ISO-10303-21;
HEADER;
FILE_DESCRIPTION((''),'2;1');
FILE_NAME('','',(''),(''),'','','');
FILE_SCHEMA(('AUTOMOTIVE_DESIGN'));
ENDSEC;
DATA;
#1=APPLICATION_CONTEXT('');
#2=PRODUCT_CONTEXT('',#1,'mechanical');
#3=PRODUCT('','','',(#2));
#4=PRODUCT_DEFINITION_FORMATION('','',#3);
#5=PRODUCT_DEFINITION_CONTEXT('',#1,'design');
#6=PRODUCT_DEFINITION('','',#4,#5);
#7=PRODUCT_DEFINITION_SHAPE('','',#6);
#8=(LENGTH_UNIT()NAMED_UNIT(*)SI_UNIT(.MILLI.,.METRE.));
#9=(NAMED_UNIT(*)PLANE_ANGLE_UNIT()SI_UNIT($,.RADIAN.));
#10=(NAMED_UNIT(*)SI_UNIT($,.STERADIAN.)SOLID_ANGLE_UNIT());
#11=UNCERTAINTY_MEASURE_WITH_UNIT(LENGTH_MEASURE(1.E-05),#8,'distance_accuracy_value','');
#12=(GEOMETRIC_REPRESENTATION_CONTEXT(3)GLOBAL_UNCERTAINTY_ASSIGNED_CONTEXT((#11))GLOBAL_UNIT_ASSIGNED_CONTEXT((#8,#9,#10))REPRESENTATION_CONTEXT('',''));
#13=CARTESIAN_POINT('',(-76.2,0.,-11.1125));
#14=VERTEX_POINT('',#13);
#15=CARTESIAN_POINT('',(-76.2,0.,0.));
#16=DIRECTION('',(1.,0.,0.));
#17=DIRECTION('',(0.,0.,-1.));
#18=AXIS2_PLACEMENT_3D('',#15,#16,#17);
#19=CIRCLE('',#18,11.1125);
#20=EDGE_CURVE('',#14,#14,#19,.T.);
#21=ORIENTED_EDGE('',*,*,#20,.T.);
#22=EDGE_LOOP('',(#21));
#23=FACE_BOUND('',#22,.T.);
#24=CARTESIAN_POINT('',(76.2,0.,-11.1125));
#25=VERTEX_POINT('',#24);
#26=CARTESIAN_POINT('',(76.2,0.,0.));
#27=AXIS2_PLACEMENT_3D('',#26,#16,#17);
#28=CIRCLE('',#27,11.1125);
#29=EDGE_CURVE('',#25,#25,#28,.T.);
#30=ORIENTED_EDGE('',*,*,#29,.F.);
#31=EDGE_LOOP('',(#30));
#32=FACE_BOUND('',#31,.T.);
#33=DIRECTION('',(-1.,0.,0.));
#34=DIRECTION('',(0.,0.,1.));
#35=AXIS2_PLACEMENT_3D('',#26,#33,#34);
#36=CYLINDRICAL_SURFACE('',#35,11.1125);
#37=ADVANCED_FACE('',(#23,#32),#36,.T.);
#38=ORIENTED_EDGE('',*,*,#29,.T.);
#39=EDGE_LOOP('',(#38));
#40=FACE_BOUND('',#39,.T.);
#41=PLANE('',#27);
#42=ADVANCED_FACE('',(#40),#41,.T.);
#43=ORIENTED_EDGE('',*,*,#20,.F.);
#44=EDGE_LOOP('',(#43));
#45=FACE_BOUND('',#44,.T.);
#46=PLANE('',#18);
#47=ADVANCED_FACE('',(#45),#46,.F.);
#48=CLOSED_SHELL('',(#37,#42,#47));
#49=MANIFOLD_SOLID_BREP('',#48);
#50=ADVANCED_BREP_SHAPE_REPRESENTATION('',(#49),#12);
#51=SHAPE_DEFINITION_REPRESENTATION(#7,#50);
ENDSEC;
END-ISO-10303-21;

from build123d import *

# Parameters (mm, degrees)
SKETCH1_R           = 11.1125
BOSS_EXTRUDE1_DEPTH = 76.2


with BuildPart() as part:
    # Sketch1 → Boss-Extrude1 (new body, symmetric)
    with BuildSketch(Plane(origin=(0, 0, 0), x_dir=(0, 0, -1), z_dir=(1, 0, 0))):
        Circle(SKETCH1_R)
    extrude(amount=BOSS_EXTRUDE1_DEPTH, both=True)


solid = part.part
